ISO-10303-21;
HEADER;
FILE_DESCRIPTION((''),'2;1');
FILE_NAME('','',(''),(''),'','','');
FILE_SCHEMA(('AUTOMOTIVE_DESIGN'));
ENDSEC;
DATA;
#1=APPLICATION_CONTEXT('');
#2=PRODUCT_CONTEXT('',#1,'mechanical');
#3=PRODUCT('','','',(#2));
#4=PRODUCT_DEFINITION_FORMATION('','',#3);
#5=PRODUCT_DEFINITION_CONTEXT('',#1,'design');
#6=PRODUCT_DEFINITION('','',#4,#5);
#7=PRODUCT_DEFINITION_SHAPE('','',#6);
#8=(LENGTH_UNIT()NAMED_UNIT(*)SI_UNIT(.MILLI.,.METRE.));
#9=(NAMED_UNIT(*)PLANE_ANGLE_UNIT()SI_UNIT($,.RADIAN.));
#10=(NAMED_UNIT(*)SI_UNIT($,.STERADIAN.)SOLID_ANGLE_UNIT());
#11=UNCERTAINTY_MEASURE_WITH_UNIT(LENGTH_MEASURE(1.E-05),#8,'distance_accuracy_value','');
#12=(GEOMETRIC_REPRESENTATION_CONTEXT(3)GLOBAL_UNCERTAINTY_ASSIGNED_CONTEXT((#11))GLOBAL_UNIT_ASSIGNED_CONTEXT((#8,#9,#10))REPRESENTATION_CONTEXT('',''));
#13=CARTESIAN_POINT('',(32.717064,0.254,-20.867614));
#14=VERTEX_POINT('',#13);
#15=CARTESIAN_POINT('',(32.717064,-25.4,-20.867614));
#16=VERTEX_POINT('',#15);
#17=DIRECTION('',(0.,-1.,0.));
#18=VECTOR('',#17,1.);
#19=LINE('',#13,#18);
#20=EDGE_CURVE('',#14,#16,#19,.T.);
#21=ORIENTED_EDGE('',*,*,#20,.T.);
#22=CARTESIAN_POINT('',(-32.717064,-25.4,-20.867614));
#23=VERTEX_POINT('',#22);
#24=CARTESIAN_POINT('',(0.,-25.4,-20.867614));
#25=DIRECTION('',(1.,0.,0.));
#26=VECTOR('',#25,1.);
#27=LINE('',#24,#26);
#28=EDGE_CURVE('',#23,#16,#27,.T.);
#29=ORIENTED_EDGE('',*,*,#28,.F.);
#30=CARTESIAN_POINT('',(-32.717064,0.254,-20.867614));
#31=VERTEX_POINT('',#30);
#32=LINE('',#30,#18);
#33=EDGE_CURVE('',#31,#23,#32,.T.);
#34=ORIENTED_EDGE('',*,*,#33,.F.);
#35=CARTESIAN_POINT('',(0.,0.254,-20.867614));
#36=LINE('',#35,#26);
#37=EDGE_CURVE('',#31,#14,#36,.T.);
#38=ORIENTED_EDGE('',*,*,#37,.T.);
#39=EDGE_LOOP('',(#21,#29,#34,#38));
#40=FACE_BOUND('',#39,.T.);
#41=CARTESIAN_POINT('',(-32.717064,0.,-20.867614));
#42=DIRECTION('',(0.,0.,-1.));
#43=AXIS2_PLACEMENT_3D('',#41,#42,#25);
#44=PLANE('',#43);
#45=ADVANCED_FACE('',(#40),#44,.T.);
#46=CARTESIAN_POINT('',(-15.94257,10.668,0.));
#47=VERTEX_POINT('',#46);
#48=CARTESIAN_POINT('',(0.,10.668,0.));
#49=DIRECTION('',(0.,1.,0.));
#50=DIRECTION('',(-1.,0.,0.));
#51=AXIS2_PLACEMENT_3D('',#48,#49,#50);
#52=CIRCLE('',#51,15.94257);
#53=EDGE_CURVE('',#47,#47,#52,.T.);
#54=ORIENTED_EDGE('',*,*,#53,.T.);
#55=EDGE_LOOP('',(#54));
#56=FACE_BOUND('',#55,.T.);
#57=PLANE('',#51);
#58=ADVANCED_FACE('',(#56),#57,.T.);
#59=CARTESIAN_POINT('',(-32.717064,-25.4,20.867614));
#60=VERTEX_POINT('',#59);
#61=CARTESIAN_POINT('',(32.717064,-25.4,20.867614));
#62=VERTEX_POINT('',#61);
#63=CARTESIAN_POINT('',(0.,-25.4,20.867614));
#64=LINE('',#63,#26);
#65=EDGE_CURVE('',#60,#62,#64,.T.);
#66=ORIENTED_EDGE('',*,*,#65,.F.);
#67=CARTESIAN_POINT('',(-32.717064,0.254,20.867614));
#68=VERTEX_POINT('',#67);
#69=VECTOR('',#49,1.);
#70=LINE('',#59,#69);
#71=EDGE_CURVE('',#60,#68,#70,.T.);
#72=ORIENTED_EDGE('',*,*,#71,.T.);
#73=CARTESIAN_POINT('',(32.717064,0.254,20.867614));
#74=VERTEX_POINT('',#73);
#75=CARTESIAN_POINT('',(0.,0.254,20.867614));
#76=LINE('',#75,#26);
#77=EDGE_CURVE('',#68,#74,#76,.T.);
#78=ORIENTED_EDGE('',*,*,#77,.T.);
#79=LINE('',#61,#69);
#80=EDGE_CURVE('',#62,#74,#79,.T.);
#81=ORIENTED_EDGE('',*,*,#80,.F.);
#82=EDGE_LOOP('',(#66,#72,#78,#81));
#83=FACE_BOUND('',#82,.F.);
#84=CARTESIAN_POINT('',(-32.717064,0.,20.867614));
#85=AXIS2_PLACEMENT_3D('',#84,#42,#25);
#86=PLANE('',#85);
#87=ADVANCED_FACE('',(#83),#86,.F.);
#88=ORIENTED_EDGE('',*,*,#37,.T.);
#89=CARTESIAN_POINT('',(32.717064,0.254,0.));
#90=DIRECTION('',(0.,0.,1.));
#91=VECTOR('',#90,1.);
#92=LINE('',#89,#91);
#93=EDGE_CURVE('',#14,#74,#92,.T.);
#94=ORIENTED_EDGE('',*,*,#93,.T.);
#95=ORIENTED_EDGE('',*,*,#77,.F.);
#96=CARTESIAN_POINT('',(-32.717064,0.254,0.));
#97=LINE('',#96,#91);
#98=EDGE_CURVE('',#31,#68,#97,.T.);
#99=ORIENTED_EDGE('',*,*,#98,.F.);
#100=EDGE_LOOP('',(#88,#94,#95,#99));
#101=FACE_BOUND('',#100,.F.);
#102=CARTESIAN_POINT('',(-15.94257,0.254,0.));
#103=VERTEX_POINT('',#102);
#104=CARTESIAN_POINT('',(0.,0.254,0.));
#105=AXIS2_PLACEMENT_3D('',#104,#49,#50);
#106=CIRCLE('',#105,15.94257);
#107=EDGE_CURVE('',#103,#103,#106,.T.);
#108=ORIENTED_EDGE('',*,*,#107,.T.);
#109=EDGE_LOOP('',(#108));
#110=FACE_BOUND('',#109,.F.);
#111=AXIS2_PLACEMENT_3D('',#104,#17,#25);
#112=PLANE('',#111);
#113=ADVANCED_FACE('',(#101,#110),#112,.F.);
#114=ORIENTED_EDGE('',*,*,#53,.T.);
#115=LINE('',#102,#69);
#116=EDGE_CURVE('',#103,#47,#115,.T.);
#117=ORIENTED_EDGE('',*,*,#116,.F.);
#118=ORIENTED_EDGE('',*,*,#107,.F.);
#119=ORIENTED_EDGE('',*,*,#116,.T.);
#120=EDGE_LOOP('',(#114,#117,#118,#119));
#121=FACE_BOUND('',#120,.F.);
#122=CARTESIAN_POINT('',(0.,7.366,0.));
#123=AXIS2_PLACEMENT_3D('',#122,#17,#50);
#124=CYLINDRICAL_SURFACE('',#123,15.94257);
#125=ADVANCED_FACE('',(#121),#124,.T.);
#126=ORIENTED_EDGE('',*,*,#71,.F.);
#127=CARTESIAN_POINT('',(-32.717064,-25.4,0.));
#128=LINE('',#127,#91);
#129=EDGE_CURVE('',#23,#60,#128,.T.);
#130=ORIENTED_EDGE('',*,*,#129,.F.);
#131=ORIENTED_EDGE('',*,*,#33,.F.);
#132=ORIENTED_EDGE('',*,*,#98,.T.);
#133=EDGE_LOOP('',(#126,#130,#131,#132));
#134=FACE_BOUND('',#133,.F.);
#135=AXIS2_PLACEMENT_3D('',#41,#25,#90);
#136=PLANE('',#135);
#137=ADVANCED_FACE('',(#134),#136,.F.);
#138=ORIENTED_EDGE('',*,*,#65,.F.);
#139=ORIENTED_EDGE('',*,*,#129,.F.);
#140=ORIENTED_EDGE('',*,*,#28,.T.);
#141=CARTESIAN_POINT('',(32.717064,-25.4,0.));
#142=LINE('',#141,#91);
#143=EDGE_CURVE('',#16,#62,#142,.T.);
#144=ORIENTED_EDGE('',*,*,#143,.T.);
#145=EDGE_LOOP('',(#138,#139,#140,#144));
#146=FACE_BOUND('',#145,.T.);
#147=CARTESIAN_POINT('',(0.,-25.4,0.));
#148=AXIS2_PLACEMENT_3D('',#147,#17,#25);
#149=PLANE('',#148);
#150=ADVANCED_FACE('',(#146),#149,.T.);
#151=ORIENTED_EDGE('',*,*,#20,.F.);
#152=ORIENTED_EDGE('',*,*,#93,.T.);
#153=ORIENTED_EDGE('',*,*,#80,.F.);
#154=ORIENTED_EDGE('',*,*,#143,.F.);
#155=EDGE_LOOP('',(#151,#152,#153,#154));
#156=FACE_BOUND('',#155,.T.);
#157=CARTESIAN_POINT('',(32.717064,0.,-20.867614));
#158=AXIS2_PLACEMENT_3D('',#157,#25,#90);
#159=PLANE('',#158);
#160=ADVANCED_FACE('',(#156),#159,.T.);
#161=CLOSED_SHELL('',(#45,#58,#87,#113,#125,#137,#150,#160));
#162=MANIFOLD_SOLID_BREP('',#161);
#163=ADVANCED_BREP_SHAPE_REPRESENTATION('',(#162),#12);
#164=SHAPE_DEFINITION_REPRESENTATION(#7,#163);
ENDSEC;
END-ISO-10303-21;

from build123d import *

# Parameters (mm, degrees)
F0_W     = 65.434128046
F0_H     = 41.7352281511
F1_DEPTH = 25.4
F2_R     = 15.9425701821
F3_DEPTH = 7.366
F4_DEPTH = 0.254
F5_DEPTH = 3.302


with BuildPart() as f1:
    # F0 (on Front) → F1 (new body)
    with BuildSketch(Plane.XZ):
        Rectangle(F0_W, F0_H)
    extrude(amount=F1_DEPTH)

    # F2 (on face) → F3 (join)
    with BuildSketch(Plane(origin=(0, 0, 0), x_dir=(-1, 0, 0), z_dir=(0, 1, 0))):
        Circle(F2_R)
    extrude(amount=F3_DEPTH)

    # F4 (add): a face of the model
    f4_faces = [f1.faces().sort_by_distance(p)[0] for p in [
        (31.9409548566, 0, 0),
    ]]
    extrude(f4_faces, amount=F4_DEPTH)

    # F5 (add): a face of the model
    f5_faces = [f1.faces().sort_by_distance(p)[0] for p in [
        (0, 7.366, 0),
    ]]
    extrude(f5_faces, amount=F5_DEPTH)


solid = f1.part
